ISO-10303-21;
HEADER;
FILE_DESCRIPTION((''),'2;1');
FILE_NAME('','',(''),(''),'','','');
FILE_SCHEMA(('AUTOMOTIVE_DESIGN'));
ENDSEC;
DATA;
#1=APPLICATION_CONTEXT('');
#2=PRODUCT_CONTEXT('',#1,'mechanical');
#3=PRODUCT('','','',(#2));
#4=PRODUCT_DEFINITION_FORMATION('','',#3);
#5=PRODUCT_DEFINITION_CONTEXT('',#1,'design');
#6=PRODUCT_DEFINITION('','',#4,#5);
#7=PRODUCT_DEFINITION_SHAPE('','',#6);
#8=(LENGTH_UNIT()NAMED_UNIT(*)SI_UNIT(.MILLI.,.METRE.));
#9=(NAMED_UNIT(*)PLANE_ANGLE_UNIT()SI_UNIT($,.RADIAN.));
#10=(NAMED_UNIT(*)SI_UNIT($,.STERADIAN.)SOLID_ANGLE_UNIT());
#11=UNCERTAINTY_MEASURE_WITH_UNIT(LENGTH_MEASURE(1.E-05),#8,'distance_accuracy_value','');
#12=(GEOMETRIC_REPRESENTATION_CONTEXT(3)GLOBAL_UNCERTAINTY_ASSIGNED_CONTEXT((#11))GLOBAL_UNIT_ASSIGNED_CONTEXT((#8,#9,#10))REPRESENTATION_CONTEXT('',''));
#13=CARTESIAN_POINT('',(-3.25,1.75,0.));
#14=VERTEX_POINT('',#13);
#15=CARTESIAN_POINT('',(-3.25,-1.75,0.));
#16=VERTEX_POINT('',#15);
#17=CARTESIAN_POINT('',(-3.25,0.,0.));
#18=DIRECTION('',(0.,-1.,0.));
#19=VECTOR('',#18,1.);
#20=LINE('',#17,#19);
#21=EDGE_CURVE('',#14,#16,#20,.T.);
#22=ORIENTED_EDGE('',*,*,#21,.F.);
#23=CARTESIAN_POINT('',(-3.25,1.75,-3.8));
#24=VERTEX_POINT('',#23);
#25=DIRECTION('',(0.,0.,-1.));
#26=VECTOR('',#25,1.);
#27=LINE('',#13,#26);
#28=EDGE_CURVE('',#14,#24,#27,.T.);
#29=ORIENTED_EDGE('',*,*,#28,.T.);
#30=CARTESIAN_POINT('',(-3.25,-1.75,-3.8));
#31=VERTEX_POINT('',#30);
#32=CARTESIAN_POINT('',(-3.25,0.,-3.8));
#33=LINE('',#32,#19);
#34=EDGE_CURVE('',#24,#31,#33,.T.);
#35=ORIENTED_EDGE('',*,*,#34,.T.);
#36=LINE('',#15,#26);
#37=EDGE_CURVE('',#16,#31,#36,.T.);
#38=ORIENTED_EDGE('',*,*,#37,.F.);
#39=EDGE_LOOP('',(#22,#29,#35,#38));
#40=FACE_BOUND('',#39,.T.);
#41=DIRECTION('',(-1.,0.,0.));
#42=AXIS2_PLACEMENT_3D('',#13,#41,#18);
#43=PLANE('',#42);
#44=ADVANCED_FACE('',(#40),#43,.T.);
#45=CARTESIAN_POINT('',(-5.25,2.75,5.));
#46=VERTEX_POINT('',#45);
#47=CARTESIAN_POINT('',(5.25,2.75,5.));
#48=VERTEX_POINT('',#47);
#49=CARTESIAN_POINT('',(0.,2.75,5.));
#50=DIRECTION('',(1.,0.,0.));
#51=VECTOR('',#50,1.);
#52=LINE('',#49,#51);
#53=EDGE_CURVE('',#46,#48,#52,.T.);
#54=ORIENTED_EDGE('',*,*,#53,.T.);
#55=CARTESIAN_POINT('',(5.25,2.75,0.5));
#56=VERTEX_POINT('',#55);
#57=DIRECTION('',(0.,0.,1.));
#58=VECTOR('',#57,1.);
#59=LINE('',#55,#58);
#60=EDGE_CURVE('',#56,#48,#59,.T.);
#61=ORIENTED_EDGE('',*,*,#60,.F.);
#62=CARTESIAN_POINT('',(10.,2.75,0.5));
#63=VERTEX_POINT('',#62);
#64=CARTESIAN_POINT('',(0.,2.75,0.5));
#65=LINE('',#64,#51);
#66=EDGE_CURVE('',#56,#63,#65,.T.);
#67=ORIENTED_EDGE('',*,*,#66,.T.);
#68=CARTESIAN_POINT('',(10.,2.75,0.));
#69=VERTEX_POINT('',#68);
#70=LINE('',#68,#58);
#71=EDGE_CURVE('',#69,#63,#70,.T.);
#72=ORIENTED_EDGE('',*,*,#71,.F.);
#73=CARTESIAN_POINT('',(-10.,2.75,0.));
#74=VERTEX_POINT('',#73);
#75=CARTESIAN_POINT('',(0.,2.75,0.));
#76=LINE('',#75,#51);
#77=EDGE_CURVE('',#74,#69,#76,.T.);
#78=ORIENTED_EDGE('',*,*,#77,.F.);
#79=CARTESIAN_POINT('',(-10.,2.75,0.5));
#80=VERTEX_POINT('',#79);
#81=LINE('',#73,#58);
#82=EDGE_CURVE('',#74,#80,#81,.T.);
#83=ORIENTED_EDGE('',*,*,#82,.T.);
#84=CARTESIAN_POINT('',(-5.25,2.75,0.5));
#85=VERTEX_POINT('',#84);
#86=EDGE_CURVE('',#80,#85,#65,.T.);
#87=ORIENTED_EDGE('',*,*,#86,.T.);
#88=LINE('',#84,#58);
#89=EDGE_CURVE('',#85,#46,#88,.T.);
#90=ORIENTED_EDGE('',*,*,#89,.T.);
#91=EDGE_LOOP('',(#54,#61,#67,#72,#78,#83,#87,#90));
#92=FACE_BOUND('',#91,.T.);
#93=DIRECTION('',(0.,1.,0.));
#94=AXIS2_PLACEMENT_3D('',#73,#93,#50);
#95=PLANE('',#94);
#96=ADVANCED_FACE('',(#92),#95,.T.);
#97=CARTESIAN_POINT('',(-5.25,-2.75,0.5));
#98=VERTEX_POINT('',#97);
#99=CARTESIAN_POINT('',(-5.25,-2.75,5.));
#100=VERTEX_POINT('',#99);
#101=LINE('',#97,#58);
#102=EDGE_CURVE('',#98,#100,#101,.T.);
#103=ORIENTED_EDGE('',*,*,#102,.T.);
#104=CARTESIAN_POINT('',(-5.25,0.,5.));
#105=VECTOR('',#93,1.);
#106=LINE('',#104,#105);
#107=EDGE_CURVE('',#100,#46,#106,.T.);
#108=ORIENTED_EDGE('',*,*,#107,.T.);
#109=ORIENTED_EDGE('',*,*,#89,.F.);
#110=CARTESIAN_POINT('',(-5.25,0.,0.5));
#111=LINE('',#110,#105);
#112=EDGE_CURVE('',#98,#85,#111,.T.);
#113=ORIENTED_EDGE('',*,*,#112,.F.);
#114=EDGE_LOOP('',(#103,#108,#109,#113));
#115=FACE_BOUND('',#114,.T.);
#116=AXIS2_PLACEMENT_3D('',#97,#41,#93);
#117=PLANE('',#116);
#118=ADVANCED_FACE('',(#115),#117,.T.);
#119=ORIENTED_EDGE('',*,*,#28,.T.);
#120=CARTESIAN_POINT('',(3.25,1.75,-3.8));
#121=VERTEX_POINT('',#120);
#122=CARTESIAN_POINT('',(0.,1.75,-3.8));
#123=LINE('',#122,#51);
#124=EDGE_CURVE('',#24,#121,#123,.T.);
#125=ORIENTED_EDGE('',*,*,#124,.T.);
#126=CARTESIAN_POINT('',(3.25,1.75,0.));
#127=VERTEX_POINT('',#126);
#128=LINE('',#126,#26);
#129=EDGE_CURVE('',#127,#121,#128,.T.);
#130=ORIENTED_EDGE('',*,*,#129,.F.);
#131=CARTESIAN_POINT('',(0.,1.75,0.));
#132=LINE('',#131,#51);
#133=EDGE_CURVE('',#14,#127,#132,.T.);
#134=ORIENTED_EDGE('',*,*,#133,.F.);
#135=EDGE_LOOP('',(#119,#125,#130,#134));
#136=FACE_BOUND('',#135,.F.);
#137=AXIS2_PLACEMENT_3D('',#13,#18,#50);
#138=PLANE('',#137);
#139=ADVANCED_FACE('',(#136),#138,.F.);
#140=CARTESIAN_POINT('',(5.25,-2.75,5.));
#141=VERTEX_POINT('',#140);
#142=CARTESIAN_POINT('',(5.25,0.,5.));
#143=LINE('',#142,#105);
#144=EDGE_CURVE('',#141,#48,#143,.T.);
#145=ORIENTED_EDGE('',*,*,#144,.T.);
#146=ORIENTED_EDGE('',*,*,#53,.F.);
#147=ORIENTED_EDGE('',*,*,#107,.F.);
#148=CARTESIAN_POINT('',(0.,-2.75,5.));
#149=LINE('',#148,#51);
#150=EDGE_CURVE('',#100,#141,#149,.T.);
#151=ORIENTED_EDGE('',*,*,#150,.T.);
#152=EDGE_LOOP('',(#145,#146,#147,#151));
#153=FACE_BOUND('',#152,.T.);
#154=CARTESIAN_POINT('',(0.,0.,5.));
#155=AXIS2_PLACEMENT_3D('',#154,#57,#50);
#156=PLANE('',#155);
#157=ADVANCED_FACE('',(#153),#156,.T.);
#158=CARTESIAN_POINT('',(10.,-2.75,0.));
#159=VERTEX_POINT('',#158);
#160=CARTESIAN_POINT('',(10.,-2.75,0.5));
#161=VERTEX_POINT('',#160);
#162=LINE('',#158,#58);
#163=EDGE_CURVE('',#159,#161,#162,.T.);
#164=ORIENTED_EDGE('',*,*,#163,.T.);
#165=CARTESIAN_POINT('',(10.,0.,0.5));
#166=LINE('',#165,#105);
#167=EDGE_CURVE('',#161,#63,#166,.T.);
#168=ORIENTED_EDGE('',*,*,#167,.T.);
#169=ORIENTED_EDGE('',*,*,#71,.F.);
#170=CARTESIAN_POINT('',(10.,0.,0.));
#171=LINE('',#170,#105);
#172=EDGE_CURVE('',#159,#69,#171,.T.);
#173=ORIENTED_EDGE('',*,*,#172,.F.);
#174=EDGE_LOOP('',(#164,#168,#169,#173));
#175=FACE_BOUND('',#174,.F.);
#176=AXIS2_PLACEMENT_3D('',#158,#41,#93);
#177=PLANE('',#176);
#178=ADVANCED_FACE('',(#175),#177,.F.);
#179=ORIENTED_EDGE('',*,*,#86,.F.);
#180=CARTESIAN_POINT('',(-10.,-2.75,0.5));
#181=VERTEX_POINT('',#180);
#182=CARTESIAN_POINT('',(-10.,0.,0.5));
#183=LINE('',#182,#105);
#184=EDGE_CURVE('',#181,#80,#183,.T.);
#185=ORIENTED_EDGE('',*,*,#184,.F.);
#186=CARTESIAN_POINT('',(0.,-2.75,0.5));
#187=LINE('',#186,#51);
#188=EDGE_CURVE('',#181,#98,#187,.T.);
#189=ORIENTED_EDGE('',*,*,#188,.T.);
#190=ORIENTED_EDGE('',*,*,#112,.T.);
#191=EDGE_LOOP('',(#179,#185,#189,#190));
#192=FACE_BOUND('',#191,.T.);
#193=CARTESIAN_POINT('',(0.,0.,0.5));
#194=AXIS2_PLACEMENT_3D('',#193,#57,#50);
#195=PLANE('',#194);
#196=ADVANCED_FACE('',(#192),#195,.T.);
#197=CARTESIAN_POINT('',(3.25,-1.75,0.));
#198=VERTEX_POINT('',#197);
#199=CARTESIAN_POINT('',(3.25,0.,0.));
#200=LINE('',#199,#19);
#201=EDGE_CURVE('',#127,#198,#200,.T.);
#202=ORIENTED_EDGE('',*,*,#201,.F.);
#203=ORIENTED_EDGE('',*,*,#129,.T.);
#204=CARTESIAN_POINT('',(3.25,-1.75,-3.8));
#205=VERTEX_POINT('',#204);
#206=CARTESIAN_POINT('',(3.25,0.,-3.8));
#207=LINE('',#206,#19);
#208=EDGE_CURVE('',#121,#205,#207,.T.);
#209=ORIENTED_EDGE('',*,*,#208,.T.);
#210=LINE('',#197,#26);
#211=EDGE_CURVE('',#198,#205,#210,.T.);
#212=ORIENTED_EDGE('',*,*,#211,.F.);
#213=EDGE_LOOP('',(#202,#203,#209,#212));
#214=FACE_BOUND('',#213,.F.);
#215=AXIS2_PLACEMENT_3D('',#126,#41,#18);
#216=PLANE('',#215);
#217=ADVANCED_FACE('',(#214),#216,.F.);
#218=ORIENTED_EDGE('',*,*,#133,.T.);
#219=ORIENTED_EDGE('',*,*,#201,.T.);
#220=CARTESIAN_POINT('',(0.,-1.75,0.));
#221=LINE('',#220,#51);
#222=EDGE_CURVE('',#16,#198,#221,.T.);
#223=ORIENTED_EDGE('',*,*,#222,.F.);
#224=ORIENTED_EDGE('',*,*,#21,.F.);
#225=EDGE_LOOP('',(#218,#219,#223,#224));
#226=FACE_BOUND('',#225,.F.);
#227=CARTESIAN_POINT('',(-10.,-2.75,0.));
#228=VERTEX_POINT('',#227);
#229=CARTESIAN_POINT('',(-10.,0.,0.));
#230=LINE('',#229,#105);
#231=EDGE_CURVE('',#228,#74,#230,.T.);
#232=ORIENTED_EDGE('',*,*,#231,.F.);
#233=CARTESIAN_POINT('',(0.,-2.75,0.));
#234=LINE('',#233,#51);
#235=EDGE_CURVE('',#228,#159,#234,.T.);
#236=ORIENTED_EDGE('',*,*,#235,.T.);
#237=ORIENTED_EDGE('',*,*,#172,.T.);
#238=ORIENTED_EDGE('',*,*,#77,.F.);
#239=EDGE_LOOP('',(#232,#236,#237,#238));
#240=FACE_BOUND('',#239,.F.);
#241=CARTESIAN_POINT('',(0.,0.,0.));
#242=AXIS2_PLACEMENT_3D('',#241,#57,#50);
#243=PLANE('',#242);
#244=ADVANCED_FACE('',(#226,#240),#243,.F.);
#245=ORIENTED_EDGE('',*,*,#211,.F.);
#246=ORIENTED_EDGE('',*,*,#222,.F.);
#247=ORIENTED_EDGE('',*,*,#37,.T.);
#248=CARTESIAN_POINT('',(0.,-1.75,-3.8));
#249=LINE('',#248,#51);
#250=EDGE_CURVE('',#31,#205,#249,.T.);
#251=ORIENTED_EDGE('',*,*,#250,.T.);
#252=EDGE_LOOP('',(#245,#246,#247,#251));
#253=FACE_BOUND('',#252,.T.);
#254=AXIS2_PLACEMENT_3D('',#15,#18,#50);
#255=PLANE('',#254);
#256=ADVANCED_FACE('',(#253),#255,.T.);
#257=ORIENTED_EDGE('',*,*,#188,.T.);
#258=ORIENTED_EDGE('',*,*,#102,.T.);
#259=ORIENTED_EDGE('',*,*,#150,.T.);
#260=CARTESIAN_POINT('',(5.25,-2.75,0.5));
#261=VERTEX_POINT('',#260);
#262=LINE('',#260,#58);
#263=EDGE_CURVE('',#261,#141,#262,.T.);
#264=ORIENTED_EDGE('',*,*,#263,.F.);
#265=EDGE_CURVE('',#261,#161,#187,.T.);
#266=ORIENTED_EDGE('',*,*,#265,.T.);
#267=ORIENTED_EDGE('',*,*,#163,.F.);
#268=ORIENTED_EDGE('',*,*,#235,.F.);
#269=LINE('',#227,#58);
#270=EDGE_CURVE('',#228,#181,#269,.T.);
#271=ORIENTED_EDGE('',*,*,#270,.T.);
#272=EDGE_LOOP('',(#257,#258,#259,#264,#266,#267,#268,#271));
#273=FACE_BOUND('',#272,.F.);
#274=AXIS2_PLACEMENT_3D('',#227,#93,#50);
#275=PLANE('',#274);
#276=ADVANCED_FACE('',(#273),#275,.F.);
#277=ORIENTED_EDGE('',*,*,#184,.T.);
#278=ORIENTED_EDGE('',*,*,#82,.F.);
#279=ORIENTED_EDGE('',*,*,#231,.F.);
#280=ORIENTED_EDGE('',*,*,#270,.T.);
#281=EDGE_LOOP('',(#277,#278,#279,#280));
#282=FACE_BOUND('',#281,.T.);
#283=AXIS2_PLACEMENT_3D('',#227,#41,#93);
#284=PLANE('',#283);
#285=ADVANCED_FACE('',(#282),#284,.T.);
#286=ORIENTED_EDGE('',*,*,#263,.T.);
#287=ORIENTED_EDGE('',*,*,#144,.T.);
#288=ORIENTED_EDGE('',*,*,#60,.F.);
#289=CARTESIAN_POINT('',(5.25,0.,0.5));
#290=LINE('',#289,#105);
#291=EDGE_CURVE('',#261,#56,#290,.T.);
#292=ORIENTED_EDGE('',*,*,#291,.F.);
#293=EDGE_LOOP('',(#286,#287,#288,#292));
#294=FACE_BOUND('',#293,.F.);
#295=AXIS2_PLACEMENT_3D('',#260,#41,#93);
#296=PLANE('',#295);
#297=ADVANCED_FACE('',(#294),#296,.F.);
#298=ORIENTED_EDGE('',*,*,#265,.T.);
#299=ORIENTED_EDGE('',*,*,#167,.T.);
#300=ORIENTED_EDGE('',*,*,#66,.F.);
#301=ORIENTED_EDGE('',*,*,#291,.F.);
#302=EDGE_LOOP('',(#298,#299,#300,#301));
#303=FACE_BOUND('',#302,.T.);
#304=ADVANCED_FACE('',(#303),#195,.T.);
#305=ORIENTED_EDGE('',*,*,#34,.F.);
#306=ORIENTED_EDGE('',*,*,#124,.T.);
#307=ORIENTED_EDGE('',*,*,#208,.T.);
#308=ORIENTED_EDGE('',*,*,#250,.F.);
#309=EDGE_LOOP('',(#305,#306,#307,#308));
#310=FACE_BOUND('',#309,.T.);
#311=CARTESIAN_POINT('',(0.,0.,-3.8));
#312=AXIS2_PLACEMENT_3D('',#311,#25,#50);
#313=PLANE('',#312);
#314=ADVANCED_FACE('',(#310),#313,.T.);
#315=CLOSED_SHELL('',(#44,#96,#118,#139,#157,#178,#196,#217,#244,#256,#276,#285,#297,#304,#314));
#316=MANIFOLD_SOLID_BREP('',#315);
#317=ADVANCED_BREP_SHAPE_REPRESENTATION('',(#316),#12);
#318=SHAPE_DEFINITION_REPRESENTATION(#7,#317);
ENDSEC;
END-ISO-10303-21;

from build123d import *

# Parameters (mm, degrees)
F0_W     = 20
F0_H     = 5.5
F1_DEPTH = 0.5
F2_W     = 10.5
F2_H     = 5.5
F3_DEPTH = 4.5
F4_W     = 6.5
F4_H     = 3.5
F5_DEPTH = 3.8


with BuildPart() as f1:
    # F0 (on Top) → F1 (new body)
    with BuildSketch(Plane.XY):
        Rectangle(F0_W, F0_H)
    extrude(amount=F1_DEPTH)

    # F2 (on face) → F3 (join)
    with BuildSketch(Plane.XY.offset(0.5)):
        Rectangle(F2_W, F2_H)
    extrude(amount=F3_DEPTH)

    # F4 (on face) → F5 (join)
    with BuildSketch(Plane(origin=(0, 0, 0), x_dir=(1, 0, 0), z_dir=(0, 0, -1))):
        Rectangle(F4_W, F4_H)
    extrude(amount=F5_DEPTH)


solid = f1.part
